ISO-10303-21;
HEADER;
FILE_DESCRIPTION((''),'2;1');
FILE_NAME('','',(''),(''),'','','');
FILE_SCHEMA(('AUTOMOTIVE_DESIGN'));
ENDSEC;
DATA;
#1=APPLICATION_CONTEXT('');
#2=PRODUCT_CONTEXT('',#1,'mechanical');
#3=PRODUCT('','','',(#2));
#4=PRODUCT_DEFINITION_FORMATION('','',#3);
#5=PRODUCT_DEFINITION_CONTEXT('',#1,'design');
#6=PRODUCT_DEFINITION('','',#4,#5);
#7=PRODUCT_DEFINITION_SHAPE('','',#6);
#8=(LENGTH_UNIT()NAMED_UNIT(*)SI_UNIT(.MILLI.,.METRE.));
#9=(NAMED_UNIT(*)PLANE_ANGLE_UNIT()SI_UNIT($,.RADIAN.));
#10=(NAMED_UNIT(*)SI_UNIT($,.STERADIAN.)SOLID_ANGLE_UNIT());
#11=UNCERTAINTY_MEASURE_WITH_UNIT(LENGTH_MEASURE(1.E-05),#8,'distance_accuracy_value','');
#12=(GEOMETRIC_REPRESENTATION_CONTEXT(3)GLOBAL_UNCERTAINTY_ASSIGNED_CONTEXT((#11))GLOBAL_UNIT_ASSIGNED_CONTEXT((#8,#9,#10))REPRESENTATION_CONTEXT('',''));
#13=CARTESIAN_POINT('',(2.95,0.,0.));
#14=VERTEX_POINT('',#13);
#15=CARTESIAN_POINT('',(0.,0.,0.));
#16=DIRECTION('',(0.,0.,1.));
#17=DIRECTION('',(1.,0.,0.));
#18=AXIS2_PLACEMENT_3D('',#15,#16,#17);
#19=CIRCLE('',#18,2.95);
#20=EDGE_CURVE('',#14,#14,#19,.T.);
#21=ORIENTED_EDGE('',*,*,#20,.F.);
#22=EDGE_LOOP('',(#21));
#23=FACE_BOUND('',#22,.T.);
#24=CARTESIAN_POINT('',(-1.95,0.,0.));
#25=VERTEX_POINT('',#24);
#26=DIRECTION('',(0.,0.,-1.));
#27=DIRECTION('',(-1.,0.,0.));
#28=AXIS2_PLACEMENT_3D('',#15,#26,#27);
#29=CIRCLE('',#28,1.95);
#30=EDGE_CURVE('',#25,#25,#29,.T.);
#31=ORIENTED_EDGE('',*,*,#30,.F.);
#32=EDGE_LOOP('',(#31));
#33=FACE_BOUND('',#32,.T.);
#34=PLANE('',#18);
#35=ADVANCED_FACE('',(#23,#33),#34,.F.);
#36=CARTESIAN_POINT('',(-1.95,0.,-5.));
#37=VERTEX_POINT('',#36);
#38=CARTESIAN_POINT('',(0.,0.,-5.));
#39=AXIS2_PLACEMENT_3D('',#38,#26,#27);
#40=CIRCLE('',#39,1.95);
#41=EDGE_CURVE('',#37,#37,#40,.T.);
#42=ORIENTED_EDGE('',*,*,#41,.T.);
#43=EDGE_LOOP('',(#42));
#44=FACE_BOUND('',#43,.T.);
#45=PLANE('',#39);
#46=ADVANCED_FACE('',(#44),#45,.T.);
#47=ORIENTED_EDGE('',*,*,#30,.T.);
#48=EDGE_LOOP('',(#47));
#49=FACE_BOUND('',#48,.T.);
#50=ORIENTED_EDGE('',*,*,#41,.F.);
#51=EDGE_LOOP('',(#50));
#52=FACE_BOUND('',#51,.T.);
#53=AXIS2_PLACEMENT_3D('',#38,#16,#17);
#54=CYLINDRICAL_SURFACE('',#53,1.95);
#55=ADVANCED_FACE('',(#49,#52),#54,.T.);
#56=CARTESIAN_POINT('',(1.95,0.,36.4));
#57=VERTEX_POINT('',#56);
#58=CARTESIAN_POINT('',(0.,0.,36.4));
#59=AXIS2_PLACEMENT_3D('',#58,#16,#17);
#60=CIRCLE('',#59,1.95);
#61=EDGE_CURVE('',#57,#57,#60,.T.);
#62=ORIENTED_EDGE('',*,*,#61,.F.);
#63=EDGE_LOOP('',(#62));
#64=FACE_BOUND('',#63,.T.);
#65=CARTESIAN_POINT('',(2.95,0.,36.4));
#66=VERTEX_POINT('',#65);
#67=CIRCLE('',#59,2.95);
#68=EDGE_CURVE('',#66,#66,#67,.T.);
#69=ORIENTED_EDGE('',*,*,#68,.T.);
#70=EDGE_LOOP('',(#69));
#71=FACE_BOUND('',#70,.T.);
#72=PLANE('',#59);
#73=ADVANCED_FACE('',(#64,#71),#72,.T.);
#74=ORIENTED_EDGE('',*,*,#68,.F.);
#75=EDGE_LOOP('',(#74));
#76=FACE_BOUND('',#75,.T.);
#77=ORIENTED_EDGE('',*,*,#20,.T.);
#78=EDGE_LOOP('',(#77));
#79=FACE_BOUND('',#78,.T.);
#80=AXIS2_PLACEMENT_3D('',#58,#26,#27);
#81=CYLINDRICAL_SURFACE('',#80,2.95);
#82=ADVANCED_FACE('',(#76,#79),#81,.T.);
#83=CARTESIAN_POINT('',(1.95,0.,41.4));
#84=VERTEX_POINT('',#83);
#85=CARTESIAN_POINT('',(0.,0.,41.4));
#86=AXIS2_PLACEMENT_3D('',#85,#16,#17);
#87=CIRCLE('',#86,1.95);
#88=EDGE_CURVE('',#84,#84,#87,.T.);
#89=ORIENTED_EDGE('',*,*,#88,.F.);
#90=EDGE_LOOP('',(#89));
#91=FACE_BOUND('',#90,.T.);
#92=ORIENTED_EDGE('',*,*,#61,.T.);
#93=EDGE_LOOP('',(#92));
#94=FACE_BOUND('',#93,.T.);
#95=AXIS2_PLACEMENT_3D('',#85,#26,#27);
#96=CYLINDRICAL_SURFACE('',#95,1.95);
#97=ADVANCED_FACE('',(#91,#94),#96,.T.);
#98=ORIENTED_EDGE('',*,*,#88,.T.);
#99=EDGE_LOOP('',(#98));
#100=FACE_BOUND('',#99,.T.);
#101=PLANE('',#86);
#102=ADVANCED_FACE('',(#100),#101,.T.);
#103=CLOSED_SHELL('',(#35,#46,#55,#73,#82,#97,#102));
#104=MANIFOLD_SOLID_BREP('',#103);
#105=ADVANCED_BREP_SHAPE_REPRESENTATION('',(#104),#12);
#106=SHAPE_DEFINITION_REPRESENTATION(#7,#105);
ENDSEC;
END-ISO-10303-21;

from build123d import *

# Parameters (mm, degrees)
SKETCH_1_R      = 2.95
EXTRUDE_1_DEPTH = 36.4
SKETCH_2_R      = 1.95
EXTRUDE_2_DEPTH = 5
SKETCH_3_R      = 1.95
EXTRUDE_3_DEPTH = 5


with BuildPart() as part:
    # ｽｹｯﾁ1 → ﾎﾞｽ - 押し出し1 (new body)
    with BuildSketch(Plane.XY):
        Circle(SKETCH_1_R)
    extrude(amount=EXTRUDE_1_DEPTH)

    # ｽｹｯﾁ2 → ﾎﾞｽ - 押し出し2 (add)
    with BuildSketch(Plane.XY.offset(36.4)):
        Circle(SKETCH_2_R)
    extrude(amount=EXTRUDE_2_DEPTH)

    # ｽｹｯﾁ3 → ﾎﾞｽ - 押し出し3 (add)
    with BuildSketch(Plane(origin=(0, 0, 0), x_dir=(-1, 0, 0), z_dir=(0, 0, -1))):
        Circle(SKETCH_3_R)
    extrude(amount=EXTRUDE_3_DEPTH)


solid = part.part
